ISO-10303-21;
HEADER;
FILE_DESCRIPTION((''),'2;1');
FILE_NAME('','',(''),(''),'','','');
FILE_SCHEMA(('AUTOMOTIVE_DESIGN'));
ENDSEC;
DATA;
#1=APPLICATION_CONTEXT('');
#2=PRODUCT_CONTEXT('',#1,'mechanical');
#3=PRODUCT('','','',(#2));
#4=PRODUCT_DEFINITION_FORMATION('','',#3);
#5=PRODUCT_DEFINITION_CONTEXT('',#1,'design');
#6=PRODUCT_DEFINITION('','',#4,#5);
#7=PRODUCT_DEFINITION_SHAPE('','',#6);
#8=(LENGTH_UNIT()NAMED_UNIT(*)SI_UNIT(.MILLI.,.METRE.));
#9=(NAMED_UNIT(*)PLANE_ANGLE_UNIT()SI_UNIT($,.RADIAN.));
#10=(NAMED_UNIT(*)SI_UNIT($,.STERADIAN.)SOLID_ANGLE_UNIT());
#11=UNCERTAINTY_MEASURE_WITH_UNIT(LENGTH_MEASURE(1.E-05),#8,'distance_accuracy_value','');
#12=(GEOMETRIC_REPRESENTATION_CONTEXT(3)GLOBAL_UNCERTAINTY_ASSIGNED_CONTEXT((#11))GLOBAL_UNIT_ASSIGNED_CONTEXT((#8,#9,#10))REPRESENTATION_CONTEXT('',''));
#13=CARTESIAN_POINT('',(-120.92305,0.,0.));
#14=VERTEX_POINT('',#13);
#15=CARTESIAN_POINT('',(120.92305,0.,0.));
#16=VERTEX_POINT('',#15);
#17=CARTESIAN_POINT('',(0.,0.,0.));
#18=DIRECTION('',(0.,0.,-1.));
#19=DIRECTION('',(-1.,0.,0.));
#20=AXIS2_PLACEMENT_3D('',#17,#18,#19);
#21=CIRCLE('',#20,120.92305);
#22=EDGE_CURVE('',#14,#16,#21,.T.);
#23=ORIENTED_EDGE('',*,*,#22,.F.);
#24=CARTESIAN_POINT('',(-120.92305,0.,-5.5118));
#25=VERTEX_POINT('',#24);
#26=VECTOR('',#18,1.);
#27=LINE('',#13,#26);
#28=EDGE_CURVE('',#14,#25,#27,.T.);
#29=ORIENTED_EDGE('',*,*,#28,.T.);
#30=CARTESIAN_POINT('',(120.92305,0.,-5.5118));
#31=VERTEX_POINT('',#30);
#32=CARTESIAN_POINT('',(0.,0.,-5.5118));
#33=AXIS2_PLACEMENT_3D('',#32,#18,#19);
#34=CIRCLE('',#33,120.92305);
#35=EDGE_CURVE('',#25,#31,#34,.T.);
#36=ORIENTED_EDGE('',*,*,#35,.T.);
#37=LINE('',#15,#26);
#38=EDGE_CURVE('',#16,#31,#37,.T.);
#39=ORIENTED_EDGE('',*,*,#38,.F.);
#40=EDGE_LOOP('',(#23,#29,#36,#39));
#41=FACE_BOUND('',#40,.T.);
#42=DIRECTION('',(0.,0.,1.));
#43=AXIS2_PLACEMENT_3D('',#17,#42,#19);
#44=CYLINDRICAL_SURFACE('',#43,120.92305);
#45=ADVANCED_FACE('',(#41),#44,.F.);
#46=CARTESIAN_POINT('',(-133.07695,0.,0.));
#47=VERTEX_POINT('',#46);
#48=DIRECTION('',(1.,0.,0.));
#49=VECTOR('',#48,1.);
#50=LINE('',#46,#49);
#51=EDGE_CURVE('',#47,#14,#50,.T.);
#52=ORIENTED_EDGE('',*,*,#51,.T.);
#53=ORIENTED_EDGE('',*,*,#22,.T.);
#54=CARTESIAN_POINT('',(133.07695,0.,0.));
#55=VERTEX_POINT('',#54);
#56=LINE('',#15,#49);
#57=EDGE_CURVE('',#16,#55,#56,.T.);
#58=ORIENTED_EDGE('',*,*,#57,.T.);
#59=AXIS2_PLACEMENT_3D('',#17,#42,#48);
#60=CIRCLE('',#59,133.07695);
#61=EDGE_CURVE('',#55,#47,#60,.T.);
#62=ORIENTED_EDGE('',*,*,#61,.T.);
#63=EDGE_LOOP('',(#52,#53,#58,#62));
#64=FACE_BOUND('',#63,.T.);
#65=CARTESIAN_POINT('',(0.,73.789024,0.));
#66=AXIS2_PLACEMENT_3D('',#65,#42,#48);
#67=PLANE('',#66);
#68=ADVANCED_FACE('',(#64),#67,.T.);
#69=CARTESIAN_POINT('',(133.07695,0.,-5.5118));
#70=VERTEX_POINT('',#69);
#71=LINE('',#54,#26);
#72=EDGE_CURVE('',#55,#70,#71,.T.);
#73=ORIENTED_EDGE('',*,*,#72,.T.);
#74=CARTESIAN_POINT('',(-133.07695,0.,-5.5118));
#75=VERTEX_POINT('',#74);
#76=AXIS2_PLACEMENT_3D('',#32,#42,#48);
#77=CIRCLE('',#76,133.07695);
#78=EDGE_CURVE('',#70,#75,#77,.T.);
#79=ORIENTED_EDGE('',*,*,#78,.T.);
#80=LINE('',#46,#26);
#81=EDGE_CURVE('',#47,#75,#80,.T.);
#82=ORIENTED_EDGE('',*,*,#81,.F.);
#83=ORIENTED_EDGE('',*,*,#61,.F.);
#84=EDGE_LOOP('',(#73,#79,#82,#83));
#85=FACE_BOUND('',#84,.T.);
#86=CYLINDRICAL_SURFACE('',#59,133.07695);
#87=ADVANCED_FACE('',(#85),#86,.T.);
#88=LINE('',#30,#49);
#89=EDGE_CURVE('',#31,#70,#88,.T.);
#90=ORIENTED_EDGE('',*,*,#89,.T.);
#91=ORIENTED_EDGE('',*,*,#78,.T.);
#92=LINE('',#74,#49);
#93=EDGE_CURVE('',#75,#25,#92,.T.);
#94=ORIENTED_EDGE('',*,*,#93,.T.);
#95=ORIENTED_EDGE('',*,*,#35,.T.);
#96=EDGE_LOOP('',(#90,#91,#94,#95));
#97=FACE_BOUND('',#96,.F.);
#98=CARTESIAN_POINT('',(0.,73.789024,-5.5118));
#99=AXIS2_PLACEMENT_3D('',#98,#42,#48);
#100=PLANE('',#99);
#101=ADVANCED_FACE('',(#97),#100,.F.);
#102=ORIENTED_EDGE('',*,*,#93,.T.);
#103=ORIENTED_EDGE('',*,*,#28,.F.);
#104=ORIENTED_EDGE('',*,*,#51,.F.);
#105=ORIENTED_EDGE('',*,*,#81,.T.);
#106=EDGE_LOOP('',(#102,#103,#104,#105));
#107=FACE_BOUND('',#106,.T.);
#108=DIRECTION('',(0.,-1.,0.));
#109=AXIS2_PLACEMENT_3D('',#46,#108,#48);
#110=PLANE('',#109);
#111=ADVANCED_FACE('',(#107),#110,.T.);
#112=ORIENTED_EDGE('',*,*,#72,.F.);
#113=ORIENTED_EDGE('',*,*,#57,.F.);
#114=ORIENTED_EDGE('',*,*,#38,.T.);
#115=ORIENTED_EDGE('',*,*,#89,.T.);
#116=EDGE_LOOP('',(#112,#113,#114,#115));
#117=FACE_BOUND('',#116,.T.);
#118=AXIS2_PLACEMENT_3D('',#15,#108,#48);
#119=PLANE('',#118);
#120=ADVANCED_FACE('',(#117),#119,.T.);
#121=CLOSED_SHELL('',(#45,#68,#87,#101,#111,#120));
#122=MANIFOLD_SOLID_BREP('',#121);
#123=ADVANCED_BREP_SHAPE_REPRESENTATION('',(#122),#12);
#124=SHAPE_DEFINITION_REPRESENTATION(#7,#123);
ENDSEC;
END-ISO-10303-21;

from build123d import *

# Parameters (mm, degrees)
F1_DEPTH = 5.5118


with BuildPart() as f1:
    # F0 (on Top) → F1 (new body)
    with BuildSketch(Plane.XY):
        with BuildLine():
            ThreePointArc((-127, 0), (0, 127), (127, 0))
            Line((127, 0), (131.50215, 0))
            ThreePointArc((131.50215, 0), (0, 131.50215), (-131.50215, 0))
            Line((-131.50215, 0), (-127, 0))
        make_face()
        with BuildLine():
            Line((122.49785, 0), (127, 0))
            ThreePointArc((127, 0), (0, 127), (-127, 0))
            Line((-127, 0), (-122.49785, 0))
            ThreePointArc((-122.49785, 0), (0, 122.49785), (122.49785, 0))
        make_face()
        with BuildLine():
            ThreePointArc((-131.50215, 0), (0, 131.50215), (131.50215, 0))
            Line((131.50215, 0), (133.07695, 0))
            ThreePointArc((133.07695, 0), (0, 133.07695), (-133.07695, 0))
            Line((-133.07695, 0), (-131.50215, 0))
        make_face()
        with BuildLine():
            Line((120.92305, 0), (122.49785, 0))
            ThreePointArc((122.49785, 0), (0, 122.49785), (-122.49785, 0))
            Line((-122.49785, 0), (-120.92305, 0))
            ThreePointArc((-120.92305, 0), (0, 120.92305), (120.92305, 0))
        make_face()
    extrude(amount=-F1_DEPTH)


solid = f1.part
